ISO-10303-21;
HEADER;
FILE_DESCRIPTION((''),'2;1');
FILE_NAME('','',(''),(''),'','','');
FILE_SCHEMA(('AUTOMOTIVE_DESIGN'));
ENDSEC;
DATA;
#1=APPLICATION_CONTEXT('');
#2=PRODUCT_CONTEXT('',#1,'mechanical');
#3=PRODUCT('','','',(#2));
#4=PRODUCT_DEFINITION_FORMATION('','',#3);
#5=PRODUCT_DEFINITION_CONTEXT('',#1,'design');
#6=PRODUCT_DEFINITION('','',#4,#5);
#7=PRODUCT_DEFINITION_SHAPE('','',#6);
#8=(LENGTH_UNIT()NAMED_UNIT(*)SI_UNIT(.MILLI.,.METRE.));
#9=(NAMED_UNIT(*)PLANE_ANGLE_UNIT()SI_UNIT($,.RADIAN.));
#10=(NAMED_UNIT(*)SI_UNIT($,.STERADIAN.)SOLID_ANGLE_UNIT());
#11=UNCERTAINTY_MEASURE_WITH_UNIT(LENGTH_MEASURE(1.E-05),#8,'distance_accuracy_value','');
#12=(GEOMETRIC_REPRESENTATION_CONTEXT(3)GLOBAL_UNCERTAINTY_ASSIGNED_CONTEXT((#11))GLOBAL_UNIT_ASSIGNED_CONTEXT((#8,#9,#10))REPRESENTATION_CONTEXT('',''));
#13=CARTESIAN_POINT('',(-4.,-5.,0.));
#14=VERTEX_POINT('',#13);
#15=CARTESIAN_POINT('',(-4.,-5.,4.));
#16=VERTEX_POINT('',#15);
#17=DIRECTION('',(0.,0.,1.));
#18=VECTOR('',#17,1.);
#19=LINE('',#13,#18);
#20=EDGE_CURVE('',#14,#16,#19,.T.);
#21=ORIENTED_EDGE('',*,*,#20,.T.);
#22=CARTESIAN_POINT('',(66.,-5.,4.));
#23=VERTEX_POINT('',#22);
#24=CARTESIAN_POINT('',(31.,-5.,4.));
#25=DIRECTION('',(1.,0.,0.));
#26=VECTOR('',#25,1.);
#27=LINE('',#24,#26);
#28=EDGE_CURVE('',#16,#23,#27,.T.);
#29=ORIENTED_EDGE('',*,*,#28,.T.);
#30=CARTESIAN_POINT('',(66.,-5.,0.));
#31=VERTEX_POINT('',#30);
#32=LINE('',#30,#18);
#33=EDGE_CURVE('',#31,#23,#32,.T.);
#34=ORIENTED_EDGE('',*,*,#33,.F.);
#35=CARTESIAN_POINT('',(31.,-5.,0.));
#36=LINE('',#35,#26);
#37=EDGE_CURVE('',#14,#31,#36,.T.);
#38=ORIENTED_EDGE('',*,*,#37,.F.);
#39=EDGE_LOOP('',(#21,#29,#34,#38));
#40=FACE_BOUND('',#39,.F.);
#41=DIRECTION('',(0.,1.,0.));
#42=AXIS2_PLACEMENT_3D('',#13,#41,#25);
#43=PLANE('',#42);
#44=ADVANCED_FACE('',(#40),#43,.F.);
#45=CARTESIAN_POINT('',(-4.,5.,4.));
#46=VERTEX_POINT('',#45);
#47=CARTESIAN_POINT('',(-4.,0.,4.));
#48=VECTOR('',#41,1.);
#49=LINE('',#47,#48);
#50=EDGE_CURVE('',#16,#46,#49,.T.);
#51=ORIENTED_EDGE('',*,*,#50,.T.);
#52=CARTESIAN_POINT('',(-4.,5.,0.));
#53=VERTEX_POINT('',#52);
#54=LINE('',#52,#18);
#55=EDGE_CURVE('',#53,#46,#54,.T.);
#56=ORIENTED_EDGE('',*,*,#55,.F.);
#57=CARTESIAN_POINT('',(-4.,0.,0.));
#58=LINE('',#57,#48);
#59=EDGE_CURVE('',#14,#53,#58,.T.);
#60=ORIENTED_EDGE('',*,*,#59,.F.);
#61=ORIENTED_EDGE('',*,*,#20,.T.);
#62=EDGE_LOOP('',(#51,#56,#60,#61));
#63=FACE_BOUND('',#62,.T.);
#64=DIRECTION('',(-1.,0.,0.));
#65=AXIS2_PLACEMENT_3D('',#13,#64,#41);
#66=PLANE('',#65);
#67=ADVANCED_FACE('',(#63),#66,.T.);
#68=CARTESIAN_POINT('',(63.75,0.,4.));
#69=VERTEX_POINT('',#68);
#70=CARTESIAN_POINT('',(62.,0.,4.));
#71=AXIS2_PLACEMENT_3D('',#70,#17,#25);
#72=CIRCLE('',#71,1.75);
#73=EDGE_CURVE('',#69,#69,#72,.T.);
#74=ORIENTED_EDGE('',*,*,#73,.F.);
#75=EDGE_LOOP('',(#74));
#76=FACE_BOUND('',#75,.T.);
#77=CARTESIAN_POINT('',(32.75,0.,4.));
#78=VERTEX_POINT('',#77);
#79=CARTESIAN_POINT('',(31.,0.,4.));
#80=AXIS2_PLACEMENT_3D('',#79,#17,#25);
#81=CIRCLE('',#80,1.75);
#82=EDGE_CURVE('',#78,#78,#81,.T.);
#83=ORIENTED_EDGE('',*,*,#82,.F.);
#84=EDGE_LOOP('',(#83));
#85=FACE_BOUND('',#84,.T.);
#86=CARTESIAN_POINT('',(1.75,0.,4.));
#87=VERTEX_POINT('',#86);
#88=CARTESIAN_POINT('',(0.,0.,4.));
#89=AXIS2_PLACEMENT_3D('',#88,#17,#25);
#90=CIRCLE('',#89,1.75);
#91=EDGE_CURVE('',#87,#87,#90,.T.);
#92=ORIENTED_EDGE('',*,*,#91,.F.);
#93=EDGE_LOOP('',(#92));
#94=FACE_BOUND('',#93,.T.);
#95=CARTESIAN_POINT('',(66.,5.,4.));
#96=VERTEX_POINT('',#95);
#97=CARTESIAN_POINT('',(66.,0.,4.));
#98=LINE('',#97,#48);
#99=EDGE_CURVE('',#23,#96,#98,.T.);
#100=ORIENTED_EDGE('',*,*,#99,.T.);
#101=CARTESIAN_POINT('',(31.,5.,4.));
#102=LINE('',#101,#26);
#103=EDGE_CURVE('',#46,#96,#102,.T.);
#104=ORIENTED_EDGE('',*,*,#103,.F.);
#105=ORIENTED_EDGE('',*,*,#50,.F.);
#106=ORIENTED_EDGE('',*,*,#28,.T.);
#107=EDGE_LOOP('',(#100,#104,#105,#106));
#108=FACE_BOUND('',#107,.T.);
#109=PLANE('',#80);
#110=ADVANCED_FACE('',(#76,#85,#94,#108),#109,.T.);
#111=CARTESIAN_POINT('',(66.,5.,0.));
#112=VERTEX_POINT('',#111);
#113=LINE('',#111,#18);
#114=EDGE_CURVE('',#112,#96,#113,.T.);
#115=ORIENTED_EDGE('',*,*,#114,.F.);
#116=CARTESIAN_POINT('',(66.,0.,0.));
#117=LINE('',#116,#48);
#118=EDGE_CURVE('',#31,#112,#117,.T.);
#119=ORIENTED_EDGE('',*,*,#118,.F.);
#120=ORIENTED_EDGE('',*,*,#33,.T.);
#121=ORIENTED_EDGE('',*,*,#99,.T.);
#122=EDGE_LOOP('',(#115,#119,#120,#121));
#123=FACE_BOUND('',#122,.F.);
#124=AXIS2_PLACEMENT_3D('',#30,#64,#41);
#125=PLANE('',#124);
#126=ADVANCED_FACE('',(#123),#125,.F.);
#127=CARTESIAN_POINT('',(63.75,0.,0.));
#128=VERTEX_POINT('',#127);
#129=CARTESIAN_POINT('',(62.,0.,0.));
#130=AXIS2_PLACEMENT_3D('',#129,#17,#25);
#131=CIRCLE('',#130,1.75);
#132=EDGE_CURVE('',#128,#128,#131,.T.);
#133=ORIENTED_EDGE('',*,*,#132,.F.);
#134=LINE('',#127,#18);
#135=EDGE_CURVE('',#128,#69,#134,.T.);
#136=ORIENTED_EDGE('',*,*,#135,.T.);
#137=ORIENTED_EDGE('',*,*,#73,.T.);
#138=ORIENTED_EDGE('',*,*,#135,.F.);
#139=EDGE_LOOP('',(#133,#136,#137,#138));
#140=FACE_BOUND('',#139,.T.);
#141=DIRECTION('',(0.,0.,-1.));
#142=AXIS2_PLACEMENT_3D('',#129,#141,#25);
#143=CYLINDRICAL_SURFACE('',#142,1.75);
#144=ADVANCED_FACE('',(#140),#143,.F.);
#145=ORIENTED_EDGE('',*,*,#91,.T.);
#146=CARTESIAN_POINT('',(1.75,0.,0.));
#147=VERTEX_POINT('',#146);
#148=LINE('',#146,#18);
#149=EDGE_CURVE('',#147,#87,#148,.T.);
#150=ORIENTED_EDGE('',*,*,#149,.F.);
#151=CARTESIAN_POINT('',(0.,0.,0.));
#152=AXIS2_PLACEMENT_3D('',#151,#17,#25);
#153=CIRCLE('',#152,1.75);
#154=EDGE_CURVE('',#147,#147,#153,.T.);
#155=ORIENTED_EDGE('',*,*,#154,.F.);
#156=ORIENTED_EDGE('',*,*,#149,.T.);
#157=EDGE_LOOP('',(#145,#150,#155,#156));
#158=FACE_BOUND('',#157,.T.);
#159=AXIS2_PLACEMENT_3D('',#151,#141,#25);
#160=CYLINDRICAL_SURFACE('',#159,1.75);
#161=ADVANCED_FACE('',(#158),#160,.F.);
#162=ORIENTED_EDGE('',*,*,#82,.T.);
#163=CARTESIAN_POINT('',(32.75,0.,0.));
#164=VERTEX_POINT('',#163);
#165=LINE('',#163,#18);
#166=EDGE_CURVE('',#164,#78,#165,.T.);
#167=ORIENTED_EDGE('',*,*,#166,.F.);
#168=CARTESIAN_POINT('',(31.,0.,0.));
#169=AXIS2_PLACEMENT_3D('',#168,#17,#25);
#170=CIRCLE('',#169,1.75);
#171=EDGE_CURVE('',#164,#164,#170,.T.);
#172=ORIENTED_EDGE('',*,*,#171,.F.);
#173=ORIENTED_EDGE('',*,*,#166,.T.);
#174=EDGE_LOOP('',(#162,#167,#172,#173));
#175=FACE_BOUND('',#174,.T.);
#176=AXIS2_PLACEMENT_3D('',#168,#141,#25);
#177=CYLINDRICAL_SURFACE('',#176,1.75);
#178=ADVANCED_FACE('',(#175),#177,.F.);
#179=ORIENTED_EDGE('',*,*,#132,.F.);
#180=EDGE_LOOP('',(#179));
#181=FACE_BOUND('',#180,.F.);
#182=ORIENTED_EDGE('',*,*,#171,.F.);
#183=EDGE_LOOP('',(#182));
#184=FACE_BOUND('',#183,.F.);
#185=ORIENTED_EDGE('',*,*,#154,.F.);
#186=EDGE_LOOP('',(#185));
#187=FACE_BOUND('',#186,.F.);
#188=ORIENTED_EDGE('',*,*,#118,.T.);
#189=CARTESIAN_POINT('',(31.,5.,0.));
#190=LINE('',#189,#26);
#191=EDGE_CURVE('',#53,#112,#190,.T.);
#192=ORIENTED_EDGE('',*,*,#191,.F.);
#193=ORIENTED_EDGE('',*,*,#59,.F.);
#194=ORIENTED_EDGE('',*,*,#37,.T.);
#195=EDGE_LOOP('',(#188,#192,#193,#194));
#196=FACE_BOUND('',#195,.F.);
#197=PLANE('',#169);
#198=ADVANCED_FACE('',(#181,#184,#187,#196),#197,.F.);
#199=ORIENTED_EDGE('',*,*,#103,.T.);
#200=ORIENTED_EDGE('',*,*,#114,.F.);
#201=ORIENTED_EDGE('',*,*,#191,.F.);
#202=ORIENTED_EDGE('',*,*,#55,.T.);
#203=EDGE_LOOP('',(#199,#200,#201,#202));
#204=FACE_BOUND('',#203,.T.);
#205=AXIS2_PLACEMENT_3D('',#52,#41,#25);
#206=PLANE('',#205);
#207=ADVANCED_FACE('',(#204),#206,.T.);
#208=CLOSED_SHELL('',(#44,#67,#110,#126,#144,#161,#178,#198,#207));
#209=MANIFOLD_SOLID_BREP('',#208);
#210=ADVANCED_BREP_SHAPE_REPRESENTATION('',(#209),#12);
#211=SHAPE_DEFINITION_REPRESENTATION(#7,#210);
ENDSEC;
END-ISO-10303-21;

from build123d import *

# Parameters (mm, degrees)
F0_W     = 70
F0_H     = 10
F0_R     = 1.75
F1_DEPTH = 4


with BuildPart() as f1:
    # F0 (on Top) → F1 (new body)
    with BuildSketch(Plane.XY):
        with Locations((31, 0)):
            Rectangle(F0_W, F0_H)
        Circle(F0_R, mode=Mode.SUBTRACT)
        with Locations((31, 0)):
            Circle(F0_R, mode=Mode.SUBTRACT)
        with Locations((62, 0)):
            Circle(F0_R, mode=Mode.SUBTRACT)
    extrude(amount=F1_DEPTH)


solid = f1.part
